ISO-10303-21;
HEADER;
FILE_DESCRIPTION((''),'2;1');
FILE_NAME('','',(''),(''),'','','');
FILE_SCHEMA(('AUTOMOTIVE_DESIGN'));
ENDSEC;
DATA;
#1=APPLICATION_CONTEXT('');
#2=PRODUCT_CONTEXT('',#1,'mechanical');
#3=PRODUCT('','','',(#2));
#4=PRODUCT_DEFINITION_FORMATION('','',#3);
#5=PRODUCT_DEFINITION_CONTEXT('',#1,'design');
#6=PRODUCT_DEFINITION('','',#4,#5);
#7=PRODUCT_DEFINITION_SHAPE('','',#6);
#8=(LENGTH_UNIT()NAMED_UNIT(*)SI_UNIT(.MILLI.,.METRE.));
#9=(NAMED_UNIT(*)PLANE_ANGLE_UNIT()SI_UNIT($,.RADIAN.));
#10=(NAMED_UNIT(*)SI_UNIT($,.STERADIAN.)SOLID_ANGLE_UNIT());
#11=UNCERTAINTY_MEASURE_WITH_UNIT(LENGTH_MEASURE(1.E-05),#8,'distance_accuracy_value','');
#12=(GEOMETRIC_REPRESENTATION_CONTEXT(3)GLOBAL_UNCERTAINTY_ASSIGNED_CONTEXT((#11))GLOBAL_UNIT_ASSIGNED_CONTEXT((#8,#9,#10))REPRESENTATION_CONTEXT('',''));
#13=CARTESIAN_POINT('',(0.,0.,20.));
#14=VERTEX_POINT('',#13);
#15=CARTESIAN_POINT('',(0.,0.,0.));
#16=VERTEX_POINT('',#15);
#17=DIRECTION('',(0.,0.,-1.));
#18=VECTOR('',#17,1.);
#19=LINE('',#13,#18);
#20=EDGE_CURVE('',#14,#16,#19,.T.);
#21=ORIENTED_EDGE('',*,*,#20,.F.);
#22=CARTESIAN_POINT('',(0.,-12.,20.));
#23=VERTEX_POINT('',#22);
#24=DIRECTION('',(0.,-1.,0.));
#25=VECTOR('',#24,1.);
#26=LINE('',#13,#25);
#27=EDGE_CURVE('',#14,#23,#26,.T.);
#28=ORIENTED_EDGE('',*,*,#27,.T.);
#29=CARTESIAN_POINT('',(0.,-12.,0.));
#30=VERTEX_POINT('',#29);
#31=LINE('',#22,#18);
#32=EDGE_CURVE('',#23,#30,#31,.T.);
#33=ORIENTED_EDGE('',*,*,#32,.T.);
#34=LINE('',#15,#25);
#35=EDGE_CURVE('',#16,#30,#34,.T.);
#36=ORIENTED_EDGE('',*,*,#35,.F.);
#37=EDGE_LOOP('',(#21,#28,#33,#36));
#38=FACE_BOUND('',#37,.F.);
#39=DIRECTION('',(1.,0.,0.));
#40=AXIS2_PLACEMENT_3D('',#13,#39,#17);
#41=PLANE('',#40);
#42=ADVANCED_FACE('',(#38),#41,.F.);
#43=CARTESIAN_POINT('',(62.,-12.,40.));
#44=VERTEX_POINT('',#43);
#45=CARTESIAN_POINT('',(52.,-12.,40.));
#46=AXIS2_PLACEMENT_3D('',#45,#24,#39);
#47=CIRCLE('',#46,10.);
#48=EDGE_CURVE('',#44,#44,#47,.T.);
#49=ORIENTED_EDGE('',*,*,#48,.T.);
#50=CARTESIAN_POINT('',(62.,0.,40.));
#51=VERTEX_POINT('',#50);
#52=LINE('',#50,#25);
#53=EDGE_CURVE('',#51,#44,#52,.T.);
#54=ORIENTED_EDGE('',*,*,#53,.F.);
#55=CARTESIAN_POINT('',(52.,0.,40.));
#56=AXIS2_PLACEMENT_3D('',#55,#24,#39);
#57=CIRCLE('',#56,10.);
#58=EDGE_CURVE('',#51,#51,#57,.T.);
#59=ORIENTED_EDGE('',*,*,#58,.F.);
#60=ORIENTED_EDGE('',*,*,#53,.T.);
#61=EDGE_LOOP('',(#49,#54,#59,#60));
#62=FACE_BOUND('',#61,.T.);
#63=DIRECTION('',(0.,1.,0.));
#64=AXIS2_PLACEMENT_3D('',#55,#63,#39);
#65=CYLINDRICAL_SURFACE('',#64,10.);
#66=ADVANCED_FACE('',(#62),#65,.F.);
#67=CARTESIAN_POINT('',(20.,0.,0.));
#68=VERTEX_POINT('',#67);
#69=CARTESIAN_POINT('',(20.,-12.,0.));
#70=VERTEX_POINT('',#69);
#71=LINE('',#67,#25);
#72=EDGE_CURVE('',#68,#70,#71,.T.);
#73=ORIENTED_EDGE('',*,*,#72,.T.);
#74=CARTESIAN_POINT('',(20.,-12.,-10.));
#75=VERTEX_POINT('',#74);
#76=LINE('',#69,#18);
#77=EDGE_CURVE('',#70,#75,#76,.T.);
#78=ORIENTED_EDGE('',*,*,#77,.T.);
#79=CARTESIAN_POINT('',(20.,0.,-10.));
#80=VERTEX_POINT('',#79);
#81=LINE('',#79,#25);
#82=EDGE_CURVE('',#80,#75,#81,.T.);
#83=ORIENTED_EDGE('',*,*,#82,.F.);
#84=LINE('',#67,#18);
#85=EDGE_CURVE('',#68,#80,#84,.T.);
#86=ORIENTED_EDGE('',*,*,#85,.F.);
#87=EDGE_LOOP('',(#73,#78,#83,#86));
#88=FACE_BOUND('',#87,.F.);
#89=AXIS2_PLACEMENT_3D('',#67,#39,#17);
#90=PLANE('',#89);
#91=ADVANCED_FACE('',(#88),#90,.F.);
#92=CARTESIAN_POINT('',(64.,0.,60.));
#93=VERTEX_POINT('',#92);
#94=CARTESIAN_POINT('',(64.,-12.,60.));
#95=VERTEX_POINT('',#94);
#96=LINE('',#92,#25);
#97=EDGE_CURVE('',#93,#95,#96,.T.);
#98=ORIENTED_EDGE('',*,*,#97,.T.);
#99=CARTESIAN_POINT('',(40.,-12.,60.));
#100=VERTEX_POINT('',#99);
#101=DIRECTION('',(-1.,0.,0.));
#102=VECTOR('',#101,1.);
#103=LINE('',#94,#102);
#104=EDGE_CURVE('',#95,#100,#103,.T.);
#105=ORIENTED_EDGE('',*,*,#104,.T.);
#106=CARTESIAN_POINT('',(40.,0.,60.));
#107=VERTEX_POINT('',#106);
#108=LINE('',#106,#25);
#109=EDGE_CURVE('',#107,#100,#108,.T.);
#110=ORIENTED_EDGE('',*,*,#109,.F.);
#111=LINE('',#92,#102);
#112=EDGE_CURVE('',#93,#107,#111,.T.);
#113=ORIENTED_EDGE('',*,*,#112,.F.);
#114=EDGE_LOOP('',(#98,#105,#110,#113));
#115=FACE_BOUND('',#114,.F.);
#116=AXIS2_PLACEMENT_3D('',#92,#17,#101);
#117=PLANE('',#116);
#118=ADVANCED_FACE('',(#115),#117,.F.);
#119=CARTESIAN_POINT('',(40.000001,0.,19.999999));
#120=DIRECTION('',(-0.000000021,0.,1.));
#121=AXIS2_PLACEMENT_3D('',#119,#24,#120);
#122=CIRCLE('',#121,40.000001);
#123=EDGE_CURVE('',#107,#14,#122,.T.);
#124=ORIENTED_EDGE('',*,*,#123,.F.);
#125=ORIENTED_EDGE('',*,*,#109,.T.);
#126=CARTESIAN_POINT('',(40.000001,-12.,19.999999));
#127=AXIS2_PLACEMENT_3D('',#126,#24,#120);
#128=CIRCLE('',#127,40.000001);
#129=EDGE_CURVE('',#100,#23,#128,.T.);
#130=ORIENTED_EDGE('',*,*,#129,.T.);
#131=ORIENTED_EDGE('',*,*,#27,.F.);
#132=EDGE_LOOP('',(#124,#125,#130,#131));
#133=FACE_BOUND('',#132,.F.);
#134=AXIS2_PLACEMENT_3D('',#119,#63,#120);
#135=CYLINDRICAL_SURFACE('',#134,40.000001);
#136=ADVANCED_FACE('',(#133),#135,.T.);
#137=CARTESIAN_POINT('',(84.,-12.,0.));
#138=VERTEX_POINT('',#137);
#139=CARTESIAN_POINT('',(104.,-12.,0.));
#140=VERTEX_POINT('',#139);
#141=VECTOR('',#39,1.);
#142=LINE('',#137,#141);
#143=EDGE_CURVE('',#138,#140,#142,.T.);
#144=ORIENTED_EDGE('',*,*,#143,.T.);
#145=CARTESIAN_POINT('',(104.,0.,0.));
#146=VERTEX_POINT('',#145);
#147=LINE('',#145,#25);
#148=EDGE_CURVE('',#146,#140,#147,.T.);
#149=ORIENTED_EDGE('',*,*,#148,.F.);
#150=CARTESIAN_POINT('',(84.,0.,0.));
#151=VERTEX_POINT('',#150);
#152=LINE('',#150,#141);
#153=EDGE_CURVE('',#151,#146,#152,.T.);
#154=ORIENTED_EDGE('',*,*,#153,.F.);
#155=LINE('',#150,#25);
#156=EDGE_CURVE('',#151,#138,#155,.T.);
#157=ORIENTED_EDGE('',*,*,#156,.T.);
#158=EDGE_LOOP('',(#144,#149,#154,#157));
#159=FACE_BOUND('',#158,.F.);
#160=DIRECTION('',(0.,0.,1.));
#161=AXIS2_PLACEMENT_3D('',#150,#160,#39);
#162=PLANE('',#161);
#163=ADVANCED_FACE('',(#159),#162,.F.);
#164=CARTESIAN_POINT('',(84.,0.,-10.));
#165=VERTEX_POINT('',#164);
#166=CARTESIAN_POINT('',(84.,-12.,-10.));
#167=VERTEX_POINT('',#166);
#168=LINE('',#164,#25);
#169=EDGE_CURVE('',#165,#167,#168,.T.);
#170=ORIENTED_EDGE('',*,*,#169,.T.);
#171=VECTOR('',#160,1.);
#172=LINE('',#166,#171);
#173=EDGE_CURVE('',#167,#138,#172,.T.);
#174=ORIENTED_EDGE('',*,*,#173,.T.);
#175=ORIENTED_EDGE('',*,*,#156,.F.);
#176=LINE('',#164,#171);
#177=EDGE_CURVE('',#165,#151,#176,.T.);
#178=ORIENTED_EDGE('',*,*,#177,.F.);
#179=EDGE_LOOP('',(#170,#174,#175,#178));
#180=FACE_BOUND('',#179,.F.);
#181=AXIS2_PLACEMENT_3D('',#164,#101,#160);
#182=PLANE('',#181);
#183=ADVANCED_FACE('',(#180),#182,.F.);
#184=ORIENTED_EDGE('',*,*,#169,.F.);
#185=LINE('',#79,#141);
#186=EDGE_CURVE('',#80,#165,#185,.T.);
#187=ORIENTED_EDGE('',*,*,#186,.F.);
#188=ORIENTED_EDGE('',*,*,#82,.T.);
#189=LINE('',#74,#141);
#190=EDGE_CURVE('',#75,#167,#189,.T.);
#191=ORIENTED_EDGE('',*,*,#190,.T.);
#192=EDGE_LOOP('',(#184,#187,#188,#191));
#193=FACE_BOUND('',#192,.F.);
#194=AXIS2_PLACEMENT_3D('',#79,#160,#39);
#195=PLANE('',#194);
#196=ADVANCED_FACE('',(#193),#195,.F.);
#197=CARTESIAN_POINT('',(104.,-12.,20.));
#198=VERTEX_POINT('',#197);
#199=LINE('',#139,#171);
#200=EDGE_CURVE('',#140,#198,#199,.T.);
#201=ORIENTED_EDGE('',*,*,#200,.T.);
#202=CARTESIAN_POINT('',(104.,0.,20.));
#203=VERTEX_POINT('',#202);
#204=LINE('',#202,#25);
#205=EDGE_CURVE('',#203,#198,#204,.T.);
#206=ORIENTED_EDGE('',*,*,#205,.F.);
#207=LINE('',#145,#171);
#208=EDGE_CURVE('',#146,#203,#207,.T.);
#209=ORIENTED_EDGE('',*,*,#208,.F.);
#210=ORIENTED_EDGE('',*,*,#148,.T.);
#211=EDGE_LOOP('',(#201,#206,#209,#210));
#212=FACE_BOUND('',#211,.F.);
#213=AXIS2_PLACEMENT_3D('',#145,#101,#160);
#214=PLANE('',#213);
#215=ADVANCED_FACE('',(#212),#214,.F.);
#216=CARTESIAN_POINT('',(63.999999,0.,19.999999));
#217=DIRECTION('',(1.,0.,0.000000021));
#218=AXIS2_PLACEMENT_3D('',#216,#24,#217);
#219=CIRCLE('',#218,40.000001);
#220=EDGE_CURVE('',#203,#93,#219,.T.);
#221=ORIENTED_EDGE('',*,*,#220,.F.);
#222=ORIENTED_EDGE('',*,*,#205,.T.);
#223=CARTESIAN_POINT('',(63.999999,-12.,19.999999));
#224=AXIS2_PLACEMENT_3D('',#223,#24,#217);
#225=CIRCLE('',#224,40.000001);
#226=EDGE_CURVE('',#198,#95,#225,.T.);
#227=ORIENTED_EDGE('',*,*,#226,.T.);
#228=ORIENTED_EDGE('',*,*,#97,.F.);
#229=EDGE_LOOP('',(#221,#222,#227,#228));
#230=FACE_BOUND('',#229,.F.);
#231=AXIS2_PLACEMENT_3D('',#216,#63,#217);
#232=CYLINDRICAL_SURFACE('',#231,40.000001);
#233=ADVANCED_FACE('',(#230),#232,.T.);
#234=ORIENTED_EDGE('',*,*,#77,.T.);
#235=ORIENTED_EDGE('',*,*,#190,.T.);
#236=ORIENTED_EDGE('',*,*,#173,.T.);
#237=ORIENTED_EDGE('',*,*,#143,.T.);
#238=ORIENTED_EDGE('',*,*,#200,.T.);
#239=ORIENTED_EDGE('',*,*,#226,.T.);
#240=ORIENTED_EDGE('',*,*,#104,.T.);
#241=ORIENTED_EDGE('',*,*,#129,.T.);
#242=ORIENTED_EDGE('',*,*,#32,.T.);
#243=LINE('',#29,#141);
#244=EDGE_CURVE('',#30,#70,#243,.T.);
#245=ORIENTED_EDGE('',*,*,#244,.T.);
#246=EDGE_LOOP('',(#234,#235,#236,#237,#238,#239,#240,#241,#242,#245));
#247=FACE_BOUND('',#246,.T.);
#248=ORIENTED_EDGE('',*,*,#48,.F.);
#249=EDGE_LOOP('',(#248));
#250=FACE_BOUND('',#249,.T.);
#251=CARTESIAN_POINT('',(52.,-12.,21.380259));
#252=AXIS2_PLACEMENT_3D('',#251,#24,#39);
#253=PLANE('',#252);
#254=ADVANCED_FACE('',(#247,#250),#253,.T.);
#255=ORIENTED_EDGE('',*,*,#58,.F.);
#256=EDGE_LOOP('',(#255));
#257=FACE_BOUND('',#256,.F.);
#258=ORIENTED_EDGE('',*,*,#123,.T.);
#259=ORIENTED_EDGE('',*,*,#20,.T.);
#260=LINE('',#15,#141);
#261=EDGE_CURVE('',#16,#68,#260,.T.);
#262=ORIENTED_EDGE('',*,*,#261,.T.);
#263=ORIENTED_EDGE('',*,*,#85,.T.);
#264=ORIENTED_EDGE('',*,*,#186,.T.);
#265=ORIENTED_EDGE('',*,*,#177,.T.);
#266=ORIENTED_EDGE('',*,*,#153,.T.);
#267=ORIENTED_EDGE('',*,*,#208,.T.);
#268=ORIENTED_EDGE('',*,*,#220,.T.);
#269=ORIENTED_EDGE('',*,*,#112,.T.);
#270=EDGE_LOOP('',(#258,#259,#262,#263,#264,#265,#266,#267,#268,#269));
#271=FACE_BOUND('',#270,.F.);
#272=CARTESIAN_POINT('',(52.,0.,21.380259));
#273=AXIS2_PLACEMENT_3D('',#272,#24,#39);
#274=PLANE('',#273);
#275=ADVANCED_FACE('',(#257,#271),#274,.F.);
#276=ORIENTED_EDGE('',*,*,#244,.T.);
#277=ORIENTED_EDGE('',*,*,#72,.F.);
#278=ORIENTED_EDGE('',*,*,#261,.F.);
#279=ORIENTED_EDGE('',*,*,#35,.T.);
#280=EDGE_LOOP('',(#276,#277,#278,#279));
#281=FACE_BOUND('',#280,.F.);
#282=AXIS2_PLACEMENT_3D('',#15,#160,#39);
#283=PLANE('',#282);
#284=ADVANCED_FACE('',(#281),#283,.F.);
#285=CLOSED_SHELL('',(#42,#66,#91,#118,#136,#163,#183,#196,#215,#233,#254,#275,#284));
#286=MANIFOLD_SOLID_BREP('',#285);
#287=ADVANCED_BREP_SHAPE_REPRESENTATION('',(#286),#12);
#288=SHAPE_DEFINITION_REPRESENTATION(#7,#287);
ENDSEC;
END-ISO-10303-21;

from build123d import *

# Parameters (mm, degrees)
F0_R     = 10
F1_DEPTH = 12


with BuildPart() as f1:
    # F0 (on Front) → F1 (new body)
    with BuildSketch(Plane.XZ):
        with BuildLine():
            Line((0, 20), (0, 0))
            Line((0, 0), (20, 0))
            Line((20, 0), (20, -10))
            Line((20, -10), (84, -10))
            Line((84, -10), (84, 0))
            Line((84, 0), (104, 0))
            Line((104, 0), (104, 20))
            ThreePointArc((104, 20), (92.284271, 48.284271), (64, 60))
            Line((64, 60), (40, 60))
            ThreePointArc((40, 60), (11.715729, 48.284271), (0, 20))
        make_face()
        with Locations((52, 40)):
            Circle(F0_R, mode=Mode.SUBTRACT)
    extrude(amount=F1_DEPTH)


solid = f1.part
